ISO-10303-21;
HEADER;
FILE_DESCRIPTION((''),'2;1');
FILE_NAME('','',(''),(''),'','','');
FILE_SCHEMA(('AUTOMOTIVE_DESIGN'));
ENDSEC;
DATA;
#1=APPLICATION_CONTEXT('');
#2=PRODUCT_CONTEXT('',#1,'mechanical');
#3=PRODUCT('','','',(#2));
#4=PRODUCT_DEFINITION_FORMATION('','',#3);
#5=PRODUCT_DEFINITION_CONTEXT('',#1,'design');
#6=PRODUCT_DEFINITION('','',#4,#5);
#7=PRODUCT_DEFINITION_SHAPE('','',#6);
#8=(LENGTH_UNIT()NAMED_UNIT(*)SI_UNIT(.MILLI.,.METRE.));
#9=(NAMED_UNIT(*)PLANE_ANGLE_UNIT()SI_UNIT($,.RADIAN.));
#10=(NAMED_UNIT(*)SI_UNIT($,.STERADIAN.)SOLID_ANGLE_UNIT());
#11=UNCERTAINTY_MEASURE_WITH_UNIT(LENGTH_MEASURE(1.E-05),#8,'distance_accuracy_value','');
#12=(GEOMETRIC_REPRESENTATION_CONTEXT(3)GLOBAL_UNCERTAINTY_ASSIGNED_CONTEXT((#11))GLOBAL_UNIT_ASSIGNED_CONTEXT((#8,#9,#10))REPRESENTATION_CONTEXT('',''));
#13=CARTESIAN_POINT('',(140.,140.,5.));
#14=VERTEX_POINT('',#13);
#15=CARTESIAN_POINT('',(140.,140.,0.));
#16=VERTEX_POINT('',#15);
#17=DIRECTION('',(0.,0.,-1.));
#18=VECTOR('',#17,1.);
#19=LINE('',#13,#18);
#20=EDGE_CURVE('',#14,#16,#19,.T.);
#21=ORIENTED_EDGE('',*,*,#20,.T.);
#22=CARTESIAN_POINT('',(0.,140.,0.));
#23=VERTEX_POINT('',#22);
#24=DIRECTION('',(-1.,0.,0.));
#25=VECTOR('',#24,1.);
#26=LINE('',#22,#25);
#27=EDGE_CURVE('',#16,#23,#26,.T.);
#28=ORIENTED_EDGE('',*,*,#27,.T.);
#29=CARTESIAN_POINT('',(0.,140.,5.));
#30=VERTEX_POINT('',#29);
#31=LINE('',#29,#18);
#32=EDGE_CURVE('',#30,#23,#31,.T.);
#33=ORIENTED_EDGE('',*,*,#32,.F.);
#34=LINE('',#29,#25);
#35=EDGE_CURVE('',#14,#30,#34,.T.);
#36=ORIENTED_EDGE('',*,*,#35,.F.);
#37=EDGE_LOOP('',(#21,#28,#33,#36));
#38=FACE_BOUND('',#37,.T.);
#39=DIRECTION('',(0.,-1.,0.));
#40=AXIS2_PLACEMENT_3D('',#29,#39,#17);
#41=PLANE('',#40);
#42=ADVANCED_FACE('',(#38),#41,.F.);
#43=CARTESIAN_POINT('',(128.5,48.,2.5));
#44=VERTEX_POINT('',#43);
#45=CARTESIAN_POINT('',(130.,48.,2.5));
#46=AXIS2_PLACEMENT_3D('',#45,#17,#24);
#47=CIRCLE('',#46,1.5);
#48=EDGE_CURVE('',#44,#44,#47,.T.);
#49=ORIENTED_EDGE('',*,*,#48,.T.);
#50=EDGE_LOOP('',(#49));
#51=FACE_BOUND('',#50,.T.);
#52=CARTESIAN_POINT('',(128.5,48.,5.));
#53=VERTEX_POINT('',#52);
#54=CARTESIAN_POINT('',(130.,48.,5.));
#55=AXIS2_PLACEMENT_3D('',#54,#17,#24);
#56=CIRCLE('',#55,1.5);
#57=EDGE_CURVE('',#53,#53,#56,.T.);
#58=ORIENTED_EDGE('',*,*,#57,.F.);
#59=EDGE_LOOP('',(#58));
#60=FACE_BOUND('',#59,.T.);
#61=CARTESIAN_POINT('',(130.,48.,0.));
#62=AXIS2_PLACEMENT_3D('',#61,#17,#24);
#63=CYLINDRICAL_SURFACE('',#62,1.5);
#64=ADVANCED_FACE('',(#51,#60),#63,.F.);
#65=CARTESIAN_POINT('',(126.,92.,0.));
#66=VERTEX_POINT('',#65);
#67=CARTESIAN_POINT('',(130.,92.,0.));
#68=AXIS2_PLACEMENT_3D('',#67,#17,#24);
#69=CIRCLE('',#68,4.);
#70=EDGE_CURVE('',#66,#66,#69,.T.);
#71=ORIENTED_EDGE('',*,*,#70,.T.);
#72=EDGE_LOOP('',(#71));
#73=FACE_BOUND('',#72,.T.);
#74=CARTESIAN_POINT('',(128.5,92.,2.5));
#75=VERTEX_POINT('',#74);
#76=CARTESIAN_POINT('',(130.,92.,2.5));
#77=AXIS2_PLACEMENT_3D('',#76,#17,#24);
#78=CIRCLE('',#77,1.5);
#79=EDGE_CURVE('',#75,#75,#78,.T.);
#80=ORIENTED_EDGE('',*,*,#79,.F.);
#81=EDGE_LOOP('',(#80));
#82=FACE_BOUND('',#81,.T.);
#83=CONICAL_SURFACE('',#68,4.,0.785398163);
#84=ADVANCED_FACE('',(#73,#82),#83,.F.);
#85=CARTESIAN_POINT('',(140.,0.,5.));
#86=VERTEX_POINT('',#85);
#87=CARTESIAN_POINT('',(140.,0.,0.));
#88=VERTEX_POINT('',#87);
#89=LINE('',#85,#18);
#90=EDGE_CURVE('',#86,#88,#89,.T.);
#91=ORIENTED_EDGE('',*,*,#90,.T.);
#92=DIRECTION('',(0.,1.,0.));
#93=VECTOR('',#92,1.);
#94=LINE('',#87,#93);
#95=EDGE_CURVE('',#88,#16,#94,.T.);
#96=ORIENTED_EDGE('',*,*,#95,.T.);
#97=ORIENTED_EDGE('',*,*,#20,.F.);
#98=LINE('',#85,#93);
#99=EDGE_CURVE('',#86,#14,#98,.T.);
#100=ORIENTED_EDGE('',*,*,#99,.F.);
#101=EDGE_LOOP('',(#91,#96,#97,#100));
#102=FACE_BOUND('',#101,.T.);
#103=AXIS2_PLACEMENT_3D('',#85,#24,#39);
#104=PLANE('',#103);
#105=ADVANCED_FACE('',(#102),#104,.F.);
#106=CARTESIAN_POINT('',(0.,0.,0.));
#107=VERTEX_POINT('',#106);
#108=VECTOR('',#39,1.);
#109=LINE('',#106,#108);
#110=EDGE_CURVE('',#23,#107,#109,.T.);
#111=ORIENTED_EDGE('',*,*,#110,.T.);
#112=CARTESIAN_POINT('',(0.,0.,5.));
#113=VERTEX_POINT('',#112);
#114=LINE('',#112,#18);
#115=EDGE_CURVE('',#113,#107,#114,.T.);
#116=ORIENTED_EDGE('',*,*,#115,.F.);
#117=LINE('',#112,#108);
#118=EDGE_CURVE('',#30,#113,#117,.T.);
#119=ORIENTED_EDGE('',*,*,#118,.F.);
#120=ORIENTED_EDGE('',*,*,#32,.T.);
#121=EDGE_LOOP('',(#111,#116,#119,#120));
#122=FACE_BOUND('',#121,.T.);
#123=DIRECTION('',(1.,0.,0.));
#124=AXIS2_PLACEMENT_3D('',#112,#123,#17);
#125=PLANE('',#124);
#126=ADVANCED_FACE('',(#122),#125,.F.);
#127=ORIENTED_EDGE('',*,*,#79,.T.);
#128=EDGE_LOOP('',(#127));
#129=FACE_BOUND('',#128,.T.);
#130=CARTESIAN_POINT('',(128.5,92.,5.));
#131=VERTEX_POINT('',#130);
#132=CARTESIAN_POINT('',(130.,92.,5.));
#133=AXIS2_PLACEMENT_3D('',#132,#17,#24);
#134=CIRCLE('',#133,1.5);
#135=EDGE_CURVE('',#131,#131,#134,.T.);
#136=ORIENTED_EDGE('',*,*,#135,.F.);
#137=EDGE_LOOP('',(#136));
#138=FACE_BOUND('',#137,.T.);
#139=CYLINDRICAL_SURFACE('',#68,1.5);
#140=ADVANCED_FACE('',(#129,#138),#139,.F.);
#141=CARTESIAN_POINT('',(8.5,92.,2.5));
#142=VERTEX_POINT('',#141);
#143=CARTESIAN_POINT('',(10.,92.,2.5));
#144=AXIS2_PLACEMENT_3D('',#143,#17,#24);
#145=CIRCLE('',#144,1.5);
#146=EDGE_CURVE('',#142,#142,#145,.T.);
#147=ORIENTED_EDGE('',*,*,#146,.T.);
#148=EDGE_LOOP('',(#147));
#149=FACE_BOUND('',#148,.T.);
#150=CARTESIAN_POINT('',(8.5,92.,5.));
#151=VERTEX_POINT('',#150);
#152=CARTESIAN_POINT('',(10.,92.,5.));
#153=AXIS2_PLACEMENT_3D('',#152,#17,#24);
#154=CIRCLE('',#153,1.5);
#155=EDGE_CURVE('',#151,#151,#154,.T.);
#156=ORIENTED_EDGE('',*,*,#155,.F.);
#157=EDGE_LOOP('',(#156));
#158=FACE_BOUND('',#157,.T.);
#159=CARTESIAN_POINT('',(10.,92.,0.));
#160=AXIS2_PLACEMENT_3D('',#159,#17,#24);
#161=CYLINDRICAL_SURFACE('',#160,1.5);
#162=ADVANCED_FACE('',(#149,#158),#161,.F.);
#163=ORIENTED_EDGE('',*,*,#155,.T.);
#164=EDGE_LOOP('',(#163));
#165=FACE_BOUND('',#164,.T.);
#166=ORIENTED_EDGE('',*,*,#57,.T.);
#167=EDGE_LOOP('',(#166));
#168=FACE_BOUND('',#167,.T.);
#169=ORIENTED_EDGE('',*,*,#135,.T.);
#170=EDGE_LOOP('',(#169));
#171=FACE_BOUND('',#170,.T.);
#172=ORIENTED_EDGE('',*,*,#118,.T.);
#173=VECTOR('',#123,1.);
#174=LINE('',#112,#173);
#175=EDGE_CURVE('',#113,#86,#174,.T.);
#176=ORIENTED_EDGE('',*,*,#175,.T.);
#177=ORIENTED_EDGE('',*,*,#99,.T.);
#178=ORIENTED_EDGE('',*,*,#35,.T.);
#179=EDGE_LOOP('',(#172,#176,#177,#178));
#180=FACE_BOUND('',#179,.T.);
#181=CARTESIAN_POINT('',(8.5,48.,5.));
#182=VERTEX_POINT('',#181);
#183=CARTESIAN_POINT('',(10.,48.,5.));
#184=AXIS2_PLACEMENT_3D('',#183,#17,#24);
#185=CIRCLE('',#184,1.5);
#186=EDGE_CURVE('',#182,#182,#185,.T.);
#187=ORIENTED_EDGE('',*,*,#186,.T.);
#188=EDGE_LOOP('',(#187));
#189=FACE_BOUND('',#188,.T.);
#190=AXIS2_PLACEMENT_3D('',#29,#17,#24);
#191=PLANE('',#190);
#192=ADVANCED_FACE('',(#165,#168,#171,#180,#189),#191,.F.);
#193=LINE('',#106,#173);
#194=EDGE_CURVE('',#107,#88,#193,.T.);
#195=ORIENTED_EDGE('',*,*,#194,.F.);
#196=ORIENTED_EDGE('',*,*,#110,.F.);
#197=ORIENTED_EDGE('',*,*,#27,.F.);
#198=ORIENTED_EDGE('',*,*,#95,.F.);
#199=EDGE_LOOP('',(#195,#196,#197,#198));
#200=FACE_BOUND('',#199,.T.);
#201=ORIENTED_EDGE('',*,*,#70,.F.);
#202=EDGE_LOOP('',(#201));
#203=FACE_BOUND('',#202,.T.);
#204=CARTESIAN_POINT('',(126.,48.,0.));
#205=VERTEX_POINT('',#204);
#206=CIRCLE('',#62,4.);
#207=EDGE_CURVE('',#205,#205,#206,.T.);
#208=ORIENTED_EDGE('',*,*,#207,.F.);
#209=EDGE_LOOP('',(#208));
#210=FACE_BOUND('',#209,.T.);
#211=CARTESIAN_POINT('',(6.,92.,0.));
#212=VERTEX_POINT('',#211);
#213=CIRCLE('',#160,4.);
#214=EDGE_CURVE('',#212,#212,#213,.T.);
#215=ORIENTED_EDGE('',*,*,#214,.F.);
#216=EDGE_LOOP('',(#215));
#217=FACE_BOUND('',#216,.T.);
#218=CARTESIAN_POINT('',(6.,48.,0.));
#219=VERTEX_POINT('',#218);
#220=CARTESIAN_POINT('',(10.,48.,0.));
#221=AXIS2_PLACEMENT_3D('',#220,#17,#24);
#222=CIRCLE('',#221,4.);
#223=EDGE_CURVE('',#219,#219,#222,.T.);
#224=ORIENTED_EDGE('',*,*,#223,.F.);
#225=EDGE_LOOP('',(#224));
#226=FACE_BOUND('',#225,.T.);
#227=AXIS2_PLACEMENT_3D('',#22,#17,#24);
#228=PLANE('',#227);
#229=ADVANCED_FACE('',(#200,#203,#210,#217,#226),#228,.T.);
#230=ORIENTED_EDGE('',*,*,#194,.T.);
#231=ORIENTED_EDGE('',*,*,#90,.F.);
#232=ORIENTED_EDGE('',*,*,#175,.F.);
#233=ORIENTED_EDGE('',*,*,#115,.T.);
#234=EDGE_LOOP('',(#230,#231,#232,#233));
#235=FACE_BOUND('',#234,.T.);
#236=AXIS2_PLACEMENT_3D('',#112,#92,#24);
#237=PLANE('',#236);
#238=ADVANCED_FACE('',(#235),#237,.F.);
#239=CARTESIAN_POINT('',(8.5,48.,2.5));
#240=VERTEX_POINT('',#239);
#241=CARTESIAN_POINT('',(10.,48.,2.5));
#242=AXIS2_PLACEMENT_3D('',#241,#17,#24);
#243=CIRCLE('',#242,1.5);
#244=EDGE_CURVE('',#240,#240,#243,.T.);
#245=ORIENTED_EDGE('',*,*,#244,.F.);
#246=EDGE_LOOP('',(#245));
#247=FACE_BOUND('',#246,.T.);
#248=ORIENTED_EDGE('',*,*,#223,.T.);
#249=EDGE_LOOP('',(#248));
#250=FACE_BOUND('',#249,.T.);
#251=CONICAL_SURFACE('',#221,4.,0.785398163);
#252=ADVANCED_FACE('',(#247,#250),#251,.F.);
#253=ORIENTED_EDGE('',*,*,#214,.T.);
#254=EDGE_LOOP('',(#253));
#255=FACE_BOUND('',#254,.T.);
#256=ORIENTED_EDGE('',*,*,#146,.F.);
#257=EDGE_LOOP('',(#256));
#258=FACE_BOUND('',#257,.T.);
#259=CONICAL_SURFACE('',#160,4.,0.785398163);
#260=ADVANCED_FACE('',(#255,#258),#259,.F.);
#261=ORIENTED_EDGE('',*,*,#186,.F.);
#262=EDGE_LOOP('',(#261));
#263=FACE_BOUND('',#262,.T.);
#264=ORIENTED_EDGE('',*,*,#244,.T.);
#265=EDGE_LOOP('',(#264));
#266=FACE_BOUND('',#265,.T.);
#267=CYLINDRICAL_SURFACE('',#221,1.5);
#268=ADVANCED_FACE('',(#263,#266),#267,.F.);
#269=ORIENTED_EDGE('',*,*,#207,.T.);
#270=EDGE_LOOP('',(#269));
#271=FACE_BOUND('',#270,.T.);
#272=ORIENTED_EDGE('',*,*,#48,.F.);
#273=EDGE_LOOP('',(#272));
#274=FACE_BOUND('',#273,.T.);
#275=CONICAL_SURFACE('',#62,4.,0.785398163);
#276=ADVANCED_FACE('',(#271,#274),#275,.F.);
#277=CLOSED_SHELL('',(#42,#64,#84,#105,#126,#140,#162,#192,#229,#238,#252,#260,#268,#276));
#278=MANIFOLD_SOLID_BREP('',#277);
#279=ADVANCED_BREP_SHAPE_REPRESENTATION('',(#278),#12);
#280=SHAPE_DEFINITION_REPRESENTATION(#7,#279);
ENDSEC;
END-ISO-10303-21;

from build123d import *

# Parameters (mm, degrees)
SKETCH1_W                                       = 140
SKETCH1_H                                       = 140
BOSS_EXTRUDE1_DEPTH                             = 5
CSK_FOR_M3_FLAT_HEAD_MACHINE_SCREW1_D           = 3
CSK_FOR_M3_FLAT_HEAD_MACHINE_SCREW1_CSINK_D     = 8
CSK_FOR_M3_FLAT_HEAD_MACHINE_SCREW1_CSINK_ANGLE = 90


with BuildPart() as part:
    # Sketch1 → Boss-Extrude1 (new body)
    with BuildSketch(Plane.XY):
        with Locations((70, 70)):
            Rectangle(SKETCH1_W, SKETCH1_H)
    extrude(amount=BOSS_EXTRUDE1_DEPTH)

    # CSK for M3 Flat Head Machine Screw1 (through all)
    with Locations(Plane(origin=(0, 0, 0), x_dir=(-1, 0, 0), z_dir=(0, 0, -1))):
        with Locations((-130, 92), (-130, 48), (-10, 92), (-10, 48)):
            CounterSinkHole(CSK_FOR_M3_FLAT_HEAD_MACHINE_SCREW1_D / 2, CSK_FOR_M3_FLAT_HEAD_MACHINE_SCREW1_CSINK_D / 2, counter_sink_angle=CSK_FOR_M3_FLAT_HEAD_MACHINE_SCREW1_CSINK_ANGLE)


solid = part.part
